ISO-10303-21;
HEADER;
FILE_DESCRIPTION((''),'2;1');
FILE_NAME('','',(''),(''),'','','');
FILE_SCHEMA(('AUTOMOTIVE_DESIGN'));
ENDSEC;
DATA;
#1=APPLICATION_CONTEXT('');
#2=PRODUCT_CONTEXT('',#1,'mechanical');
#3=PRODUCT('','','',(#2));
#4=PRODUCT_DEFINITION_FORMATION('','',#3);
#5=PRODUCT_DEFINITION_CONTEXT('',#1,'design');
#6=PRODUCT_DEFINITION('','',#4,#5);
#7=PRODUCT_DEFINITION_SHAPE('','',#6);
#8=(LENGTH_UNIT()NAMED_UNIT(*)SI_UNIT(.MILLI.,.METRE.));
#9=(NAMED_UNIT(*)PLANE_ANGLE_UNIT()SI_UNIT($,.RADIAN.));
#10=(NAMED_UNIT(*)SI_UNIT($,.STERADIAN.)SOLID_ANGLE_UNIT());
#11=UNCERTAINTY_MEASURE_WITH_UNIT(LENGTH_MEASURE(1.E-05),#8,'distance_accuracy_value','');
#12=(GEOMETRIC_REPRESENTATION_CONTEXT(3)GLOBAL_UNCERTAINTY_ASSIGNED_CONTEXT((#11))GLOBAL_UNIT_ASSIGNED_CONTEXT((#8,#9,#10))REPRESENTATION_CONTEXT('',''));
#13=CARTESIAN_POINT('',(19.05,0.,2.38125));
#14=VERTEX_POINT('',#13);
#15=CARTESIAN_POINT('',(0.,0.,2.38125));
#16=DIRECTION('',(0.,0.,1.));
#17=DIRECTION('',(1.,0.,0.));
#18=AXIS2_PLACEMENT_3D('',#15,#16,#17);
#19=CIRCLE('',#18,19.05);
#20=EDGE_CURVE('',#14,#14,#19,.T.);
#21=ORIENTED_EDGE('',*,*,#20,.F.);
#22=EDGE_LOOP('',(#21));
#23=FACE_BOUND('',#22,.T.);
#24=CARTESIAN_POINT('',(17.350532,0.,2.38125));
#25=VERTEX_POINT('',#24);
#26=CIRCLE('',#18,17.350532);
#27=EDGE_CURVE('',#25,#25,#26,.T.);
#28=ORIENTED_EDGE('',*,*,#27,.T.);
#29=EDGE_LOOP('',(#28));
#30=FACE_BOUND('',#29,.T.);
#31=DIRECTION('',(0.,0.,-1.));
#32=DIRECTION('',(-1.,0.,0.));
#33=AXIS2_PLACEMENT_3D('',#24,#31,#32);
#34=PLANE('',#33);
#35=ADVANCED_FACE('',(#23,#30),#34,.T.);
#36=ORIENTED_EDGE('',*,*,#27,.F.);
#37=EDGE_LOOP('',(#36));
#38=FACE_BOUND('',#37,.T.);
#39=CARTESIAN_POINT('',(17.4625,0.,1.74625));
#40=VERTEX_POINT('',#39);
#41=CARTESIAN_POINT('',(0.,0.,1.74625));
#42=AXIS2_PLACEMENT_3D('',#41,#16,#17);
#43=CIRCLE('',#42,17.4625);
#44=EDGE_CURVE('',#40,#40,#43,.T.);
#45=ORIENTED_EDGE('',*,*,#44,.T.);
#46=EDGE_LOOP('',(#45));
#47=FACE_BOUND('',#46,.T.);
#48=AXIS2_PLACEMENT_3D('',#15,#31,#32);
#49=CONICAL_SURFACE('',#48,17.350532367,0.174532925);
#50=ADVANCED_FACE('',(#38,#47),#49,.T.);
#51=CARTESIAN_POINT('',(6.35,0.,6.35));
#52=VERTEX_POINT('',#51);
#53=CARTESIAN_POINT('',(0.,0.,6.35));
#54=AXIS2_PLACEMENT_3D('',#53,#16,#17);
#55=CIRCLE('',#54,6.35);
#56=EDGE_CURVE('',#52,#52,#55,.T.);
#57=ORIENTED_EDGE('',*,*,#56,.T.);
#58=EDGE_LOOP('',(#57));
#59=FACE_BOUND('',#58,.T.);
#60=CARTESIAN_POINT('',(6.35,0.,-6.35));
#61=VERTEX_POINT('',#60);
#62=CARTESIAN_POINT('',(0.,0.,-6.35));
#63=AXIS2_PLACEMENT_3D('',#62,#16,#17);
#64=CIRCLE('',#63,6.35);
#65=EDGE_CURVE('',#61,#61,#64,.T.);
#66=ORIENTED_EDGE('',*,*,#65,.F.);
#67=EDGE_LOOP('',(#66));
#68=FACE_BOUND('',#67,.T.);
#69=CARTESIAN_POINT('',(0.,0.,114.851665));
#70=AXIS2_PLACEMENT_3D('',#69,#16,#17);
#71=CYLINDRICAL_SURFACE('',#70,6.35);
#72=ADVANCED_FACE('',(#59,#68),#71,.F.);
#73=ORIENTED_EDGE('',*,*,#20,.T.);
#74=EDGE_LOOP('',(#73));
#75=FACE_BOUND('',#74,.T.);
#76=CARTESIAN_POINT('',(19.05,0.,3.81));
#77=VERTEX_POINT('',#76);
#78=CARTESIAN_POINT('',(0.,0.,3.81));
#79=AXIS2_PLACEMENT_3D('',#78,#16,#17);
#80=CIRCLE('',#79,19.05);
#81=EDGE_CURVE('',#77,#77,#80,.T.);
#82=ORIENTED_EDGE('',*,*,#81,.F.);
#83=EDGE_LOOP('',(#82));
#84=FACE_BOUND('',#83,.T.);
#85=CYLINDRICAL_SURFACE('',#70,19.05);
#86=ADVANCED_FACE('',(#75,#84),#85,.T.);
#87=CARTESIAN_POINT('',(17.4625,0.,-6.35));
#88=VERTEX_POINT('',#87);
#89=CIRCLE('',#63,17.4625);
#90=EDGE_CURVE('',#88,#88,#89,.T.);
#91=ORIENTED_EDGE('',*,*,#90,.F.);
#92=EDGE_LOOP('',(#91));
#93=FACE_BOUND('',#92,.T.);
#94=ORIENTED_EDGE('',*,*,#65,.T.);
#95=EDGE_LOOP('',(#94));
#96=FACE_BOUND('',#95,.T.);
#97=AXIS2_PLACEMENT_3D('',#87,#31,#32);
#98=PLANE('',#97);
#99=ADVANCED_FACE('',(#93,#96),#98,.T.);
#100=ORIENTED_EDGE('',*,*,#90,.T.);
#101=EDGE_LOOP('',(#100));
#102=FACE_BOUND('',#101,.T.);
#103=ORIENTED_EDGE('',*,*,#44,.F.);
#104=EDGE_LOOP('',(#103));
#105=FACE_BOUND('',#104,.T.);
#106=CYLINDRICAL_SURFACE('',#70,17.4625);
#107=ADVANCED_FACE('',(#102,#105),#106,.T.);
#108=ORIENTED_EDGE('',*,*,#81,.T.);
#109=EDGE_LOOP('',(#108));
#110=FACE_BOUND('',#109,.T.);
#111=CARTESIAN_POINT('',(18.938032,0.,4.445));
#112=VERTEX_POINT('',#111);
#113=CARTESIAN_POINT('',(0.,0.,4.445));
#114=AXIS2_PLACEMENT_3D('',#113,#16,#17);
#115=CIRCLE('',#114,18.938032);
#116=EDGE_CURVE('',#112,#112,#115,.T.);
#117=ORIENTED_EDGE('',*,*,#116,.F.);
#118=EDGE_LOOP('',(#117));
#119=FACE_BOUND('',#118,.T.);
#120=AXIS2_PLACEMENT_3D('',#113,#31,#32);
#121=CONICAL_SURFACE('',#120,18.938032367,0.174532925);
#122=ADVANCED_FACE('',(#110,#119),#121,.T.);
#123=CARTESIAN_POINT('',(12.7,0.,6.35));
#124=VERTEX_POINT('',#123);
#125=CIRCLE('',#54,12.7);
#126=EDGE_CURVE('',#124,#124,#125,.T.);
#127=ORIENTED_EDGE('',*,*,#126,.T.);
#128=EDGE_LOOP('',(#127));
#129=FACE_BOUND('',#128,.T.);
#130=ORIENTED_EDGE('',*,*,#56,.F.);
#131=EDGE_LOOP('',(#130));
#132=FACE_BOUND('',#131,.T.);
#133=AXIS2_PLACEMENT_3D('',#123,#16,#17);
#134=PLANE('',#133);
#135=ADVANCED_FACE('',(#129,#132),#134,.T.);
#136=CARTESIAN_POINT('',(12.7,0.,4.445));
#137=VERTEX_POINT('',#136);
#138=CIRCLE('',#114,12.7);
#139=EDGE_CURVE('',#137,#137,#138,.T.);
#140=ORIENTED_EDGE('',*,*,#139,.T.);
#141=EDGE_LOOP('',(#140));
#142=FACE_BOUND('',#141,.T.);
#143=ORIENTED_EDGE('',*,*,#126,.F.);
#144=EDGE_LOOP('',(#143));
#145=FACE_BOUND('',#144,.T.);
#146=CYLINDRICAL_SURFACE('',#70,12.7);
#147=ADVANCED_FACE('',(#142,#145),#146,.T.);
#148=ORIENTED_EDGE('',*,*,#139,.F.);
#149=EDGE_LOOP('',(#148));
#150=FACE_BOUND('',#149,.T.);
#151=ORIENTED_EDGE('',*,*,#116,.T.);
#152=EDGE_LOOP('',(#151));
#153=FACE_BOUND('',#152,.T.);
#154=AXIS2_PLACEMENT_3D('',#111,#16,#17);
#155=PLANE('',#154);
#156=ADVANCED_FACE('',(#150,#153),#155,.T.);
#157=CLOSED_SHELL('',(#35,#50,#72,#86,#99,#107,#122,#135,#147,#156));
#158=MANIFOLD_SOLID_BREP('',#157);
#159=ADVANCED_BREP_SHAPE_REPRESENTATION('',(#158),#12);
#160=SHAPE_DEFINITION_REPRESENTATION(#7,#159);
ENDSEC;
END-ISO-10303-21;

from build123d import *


with BuildPart() as part:
    # Sketch1 → Revolve1 (revolve)
    with BuildSketch(Plane(origin=(0, 0, 0), x_dir=(-1, 0, 0), z_dir=(0, 1, 0))):
        Polygon((-17.4625, -6.35), (-17.4625, 1.74625), (-17.350532367, 2.38125), (-19.05, 2.38125), (-19.05, 3.81), (-18.938032367, 4.445), (-12.7, 4.445), (-12.7, 6.35), (-6.35, 6.35), (-6.35, -6.35), align=None)
    revolve(axis=Axis((0, 0, 114.851664886), (0, 0, -1)))


solid = part.part
